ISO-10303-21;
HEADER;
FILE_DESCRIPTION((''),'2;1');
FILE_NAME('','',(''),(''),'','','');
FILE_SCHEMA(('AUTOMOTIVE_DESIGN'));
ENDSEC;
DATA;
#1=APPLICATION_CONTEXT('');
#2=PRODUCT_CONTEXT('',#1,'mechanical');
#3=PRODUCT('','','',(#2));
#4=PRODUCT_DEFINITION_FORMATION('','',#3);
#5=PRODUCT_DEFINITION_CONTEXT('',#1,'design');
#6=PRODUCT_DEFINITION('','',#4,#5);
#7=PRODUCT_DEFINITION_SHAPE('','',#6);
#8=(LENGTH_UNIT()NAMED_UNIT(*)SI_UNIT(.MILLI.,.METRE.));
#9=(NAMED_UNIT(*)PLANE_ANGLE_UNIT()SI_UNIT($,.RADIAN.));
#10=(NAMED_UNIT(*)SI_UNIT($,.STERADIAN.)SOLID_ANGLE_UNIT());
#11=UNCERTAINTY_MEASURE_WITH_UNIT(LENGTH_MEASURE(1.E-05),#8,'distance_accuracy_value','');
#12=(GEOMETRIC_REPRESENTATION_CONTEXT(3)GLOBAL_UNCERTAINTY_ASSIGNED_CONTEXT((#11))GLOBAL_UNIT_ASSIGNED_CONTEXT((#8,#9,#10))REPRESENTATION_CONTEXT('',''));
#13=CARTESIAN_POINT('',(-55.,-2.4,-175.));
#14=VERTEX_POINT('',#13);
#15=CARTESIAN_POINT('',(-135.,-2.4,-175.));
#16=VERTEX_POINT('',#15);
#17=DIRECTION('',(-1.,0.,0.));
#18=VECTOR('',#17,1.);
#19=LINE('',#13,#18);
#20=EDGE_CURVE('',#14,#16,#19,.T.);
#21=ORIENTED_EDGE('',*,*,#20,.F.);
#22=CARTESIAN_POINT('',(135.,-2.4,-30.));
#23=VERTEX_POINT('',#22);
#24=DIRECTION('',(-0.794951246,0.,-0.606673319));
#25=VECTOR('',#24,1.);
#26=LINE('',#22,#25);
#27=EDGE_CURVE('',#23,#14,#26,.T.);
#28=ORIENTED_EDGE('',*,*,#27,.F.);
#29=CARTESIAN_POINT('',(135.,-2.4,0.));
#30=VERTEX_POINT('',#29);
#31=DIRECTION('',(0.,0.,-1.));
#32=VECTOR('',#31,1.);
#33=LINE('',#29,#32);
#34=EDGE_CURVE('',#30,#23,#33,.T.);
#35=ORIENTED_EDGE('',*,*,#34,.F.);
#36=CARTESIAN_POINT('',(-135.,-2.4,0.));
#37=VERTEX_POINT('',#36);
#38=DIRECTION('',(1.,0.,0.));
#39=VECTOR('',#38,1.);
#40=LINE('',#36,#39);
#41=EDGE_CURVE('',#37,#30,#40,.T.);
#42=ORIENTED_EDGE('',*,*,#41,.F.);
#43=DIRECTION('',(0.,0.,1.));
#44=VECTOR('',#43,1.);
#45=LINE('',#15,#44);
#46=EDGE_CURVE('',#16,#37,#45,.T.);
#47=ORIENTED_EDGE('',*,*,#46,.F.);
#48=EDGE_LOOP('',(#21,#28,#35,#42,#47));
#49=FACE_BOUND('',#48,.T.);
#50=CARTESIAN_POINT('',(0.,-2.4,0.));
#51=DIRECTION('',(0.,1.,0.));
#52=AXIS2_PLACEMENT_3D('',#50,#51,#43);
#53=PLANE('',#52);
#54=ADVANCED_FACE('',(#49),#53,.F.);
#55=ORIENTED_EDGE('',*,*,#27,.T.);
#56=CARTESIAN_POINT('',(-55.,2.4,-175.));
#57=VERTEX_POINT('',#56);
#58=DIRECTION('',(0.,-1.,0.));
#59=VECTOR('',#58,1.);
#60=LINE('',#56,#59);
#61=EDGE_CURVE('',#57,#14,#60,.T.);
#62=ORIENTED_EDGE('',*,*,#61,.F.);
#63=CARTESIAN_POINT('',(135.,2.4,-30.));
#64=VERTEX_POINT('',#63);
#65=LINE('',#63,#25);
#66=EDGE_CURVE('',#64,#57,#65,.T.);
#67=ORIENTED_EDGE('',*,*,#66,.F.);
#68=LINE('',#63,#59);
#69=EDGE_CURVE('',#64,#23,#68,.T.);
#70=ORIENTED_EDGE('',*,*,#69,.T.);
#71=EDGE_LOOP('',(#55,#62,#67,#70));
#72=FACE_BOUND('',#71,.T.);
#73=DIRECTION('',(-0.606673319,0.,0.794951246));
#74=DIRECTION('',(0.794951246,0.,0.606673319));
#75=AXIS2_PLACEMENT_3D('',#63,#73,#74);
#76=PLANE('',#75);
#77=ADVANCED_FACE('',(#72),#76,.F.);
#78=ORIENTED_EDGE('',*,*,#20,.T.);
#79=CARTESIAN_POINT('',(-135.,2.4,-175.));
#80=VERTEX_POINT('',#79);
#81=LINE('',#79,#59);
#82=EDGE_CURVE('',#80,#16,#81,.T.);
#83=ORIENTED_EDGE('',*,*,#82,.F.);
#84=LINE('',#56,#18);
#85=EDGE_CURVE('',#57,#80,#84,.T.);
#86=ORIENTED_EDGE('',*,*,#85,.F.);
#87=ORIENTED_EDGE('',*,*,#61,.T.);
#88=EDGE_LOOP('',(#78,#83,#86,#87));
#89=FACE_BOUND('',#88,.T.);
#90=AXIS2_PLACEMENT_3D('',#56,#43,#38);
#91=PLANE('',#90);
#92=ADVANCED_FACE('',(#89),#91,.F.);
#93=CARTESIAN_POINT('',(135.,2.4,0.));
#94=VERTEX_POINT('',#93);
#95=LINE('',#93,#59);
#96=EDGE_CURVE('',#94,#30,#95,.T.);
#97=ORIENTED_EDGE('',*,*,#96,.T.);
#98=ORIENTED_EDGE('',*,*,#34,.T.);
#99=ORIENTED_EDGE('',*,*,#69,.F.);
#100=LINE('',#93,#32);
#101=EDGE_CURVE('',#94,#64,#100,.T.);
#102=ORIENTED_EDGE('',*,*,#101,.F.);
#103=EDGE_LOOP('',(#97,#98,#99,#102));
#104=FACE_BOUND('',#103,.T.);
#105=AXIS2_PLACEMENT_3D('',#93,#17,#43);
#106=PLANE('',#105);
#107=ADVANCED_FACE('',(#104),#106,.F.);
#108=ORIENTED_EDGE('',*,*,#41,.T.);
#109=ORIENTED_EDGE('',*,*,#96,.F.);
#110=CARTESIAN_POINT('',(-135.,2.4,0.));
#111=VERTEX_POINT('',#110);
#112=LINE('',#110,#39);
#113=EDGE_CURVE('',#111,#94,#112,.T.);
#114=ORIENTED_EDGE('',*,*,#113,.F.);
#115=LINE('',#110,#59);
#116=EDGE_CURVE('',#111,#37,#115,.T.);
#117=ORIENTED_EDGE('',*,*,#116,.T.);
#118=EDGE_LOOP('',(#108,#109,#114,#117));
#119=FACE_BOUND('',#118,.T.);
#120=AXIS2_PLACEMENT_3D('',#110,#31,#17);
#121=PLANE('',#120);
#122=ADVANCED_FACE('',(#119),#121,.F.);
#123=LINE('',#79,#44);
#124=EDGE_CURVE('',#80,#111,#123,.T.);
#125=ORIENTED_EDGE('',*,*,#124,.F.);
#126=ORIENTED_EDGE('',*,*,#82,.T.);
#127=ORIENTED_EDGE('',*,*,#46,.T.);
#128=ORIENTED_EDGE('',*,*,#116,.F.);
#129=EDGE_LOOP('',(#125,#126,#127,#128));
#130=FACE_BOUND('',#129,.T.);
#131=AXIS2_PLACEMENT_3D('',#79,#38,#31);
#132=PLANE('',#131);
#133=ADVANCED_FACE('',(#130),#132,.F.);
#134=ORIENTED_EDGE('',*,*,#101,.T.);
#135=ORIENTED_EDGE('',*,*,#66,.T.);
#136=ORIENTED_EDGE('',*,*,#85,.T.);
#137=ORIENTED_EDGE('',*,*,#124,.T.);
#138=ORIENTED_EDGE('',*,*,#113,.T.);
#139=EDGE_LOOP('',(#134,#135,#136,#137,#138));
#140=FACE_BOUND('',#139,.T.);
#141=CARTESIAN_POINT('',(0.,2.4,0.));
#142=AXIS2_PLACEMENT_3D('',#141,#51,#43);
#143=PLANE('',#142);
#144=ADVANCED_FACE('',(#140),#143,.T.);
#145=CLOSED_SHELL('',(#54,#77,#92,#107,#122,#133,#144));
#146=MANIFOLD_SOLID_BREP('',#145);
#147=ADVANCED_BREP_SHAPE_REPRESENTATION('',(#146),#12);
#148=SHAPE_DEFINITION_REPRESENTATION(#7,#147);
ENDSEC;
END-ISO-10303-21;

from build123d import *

# Parameters (mm, degrees)
BOSS_EXTRUDE1_DEPTH = 2.4


with BuildPart() as part:
    # Sketch1 → Boss-Extrude1 (new, symmetric)
    with BuildSketch(Plane(origin=(0, 0, 0), x_dir=(1, 0, 0), z_dir=(0, 1, 0))):
        Polygon((-135, 175), (-135, 0), (135, 0), (135, 30), (-55, 175), align=None)
    extrude(amount=BOSS_EXTRUDE1_DEPTH, both=True)


solid = part.part
